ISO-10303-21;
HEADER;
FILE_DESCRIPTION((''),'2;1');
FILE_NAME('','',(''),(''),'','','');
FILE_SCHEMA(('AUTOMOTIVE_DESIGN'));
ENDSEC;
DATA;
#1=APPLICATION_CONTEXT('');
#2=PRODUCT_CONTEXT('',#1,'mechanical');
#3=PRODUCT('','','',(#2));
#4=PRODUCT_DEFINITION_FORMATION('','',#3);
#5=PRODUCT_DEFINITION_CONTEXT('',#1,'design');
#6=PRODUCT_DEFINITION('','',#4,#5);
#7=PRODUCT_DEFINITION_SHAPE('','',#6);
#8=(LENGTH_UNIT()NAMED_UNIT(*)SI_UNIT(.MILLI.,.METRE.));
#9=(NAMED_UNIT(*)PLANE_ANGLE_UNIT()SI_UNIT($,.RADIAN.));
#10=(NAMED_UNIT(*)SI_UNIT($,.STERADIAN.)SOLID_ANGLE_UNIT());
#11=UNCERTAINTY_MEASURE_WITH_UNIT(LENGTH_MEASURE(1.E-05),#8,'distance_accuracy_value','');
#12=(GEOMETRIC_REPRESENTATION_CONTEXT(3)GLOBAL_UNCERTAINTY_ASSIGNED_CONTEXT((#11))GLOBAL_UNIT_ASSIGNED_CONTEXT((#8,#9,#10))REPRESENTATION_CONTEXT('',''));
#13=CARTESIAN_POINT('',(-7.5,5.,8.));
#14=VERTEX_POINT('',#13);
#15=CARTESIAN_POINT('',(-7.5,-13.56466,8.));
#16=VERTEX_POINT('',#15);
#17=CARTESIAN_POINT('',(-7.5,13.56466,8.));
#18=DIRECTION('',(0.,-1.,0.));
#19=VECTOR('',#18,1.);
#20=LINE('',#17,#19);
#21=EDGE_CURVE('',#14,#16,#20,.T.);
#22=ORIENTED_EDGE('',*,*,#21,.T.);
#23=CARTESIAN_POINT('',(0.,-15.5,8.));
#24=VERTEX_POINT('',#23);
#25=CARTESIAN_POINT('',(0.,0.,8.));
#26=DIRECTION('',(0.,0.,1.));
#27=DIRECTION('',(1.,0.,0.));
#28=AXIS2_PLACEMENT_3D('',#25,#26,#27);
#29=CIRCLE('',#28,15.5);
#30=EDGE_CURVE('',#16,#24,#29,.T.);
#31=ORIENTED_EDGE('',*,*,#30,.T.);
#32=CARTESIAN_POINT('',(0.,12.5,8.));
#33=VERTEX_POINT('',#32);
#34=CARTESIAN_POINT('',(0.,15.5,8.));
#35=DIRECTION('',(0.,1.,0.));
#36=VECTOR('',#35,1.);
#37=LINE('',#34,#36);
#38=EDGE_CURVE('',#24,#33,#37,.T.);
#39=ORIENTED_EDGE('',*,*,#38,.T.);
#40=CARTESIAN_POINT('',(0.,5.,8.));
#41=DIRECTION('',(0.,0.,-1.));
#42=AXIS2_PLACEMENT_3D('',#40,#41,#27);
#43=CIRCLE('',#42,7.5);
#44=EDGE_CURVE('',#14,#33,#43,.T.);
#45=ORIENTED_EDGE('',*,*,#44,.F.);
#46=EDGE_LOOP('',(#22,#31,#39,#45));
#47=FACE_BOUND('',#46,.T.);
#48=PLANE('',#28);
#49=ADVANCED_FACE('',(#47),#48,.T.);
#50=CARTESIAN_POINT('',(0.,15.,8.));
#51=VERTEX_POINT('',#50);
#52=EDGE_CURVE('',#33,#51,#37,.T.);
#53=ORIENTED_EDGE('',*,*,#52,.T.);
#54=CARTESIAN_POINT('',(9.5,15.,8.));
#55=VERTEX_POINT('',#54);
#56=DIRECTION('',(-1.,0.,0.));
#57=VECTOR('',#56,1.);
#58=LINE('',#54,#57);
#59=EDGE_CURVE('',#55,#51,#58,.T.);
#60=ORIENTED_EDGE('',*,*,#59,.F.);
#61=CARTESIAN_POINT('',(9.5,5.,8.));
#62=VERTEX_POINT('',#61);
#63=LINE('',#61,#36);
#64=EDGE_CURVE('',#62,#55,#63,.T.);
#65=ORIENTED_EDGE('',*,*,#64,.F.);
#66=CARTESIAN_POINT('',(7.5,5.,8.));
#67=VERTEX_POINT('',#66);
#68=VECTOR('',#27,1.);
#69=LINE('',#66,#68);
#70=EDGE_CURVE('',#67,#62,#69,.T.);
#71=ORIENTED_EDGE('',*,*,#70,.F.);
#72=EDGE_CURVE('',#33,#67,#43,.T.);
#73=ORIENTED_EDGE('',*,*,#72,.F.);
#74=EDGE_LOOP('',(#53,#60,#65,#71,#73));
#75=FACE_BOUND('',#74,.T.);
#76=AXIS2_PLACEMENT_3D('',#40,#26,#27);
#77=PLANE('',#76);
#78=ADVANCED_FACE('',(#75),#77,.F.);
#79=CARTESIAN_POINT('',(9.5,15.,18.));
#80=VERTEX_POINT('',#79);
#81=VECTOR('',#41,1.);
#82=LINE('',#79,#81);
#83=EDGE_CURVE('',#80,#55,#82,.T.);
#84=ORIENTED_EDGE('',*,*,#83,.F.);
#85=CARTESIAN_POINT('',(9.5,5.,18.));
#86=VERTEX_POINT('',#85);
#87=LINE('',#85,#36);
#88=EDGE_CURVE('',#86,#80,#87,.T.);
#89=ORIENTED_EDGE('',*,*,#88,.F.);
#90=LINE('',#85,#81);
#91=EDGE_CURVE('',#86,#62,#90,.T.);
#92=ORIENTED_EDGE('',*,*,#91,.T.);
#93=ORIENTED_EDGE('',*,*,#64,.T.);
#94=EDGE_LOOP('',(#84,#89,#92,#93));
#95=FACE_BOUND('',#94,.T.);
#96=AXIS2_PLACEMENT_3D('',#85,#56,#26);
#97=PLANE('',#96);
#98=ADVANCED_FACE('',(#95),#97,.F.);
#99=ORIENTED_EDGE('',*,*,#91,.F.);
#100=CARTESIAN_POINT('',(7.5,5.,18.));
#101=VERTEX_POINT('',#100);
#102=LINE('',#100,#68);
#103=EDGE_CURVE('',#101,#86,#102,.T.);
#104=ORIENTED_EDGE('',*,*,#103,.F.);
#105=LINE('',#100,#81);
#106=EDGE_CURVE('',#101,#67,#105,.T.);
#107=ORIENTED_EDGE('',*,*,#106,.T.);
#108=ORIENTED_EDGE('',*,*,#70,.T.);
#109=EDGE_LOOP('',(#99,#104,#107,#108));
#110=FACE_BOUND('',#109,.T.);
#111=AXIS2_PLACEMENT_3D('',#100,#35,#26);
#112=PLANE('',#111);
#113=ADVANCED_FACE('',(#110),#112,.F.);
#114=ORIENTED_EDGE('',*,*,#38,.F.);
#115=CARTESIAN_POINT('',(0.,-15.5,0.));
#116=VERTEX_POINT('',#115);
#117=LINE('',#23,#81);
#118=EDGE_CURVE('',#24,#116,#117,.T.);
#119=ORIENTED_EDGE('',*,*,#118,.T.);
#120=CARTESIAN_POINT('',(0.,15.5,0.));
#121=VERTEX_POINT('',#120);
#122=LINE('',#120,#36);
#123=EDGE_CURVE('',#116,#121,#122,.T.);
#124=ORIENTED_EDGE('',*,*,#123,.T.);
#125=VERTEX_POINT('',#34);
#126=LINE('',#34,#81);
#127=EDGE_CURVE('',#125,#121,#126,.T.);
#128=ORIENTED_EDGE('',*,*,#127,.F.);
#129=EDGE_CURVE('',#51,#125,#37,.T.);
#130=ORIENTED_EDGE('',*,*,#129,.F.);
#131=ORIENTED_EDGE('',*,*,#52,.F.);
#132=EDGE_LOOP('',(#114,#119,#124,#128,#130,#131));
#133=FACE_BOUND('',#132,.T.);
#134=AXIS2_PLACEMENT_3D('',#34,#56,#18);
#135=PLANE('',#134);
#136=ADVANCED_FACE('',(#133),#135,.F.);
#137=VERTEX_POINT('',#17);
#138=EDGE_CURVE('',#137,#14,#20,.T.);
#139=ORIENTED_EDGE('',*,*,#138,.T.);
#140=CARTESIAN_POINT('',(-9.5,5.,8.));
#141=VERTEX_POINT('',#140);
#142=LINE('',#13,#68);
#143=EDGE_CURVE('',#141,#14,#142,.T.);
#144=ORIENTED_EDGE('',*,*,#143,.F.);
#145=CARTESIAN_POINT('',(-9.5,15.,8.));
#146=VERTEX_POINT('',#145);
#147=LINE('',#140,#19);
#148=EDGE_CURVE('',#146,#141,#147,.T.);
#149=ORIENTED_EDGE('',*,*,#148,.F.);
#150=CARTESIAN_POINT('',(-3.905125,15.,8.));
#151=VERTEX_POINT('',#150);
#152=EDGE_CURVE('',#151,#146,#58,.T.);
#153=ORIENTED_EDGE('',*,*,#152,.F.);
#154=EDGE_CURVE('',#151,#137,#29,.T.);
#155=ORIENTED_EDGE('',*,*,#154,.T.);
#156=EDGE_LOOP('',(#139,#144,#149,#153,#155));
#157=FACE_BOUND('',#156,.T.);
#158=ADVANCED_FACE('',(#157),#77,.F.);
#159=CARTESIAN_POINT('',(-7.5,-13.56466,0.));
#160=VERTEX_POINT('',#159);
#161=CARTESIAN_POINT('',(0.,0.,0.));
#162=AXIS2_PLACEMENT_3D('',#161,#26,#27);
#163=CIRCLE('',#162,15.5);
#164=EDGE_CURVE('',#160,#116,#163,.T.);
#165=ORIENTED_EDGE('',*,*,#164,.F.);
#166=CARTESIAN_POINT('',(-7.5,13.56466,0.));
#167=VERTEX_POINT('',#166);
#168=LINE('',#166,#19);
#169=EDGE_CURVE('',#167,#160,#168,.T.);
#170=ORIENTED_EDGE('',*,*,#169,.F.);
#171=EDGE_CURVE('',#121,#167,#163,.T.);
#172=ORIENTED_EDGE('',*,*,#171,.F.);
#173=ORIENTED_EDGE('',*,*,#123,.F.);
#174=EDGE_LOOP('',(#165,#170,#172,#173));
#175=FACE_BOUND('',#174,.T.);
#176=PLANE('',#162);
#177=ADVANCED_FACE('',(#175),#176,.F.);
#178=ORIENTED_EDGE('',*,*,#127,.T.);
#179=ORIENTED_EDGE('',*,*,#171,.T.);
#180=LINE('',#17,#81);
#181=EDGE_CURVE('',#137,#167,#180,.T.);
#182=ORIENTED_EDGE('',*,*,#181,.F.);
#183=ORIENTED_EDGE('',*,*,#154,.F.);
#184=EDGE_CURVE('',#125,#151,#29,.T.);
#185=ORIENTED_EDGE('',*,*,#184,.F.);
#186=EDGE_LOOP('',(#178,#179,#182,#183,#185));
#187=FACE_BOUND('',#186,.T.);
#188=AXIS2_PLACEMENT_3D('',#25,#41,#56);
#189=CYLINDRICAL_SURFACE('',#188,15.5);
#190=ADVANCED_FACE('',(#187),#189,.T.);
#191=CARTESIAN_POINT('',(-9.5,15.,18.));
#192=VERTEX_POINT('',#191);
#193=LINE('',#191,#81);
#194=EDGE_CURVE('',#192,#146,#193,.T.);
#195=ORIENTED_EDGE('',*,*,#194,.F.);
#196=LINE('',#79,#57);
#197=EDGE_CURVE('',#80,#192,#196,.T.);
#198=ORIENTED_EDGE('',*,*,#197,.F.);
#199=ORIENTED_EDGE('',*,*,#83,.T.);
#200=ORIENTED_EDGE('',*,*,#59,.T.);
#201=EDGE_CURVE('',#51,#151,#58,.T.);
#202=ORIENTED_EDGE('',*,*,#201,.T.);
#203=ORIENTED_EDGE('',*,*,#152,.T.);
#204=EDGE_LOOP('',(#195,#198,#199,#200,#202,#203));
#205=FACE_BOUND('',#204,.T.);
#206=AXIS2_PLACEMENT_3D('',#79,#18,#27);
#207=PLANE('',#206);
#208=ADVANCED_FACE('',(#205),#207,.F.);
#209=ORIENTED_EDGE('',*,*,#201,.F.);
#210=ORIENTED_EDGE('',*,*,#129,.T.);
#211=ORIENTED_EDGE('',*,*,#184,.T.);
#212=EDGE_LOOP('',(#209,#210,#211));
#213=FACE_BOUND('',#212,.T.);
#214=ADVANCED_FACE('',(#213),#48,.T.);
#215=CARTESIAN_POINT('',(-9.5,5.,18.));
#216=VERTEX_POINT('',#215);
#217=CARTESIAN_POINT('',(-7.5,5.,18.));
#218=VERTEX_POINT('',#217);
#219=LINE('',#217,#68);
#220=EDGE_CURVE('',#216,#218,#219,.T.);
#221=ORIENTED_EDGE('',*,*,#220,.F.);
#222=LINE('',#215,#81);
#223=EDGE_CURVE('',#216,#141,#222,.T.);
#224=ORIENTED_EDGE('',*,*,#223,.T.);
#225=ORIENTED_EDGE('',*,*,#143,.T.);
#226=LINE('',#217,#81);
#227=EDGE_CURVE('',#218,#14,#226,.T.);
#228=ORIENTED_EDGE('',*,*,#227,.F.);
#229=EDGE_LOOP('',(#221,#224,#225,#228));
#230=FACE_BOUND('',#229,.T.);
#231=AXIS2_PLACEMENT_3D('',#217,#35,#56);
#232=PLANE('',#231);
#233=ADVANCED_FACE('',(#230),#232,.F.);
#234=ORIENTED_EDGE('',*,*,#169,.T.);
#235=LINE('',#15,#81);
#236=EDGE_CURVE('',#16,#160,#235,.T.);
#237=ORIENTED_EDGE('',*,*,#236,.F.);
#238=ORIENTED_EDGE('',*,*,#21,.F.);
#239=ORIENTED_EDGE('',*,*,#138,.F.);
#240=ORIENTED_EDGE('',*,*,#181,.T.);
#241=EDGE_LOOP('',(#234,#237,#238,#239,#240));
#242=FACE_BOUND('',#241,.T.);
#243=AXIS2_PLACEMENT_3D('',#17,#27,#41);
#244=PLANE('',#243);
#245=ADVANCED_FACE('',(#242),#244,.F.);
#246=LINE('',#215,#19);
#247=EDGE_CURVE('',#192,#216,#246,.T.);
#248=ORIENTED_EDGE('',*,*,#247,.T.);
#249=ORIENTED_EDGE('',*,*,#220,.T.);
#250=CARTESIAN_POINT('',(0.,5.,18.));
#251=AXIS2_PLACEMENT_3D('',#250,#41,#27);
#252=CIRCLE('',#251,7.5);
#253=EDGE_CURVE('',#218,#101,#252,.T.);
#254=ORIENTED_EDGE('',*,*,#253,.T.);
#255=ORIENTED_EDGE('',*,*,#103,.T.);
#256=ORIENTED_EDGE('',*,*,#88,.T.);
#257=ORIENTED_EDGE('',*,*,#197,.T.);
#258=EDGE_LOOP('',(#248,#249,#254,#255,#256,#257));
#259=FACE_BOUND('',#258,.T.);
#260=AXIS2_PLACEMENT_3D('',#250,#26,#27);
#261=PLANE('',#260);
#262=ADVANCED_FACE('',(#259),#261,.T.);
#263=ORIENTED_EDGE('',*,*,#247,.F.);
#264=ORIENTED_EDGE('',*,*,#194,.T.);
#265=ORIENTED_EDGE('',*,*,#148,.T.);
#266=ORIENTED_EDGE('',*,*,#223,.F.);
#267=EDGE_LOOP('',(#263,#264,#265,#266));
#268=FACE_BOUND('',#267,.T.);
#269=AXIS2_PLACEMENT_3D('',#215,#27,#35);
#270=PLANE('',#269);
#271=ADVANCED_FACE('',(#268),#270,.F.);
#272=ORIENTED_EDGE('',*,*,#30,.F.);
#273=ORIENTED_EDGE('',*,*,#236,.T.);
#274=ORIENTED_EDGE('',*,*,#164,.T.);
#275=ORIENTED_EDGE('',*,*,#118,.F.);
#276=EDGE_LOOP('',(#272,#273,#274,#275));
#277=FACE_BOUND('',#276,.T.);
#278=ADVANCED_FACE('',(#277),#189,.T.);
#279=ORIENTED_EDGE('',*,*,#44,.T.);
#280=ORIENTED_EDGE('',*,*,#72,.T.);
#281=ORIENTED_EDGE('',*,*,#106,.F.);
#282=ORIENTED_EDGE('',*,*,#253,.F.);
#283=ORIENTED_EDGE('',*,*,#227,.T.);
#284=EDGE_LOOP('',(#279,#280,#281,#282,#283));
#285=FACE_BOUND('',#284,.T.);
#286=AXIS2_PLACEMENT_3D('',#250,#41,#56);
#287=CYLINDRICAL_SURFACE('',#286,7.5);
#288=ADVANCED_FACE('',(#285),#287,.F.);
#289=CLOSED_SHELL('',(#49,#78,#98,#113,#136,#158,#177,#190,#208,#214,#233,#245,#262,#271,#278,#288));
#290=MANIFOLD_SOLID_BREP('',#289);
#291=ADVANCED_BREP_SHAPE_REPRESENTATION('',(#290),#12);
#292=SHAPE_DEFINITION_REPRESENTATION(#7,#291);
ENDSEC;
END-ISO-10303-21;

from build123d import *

# Parameters (mm, degrees)
EXTRUDE_1_DEPTH = 8
EXTRUDE_2_DEPTH = 10


with BuildPart() as part:
    # 草图1 → 凸台-拉伸1 (new body)
    with BuildSketch(Plane.XY):
        with BuildLine():
            Line((0, 15.5), (0, -15.5))
            ThreePointArc((0, -15.5), (-3.872839431, -15.008368157), (-7.5, -13.564659966))
            Line((-7.5, -13.564659966), (-7.5, 13.564659966))
            ThreePointArc((-7.5, 13.564659966), (-3.872839431, 15.008368157), (0, 15.5))
        make_face()
    extrude(amount=EXTRUDE_1_DEPTH)

    # 草图2 → 凸台-拉伸2 (add)
    with BuildSketch(Plane.XY.offset(8)):
        with BuildLine():
            Line((7.5, 5), (9.5, 5))
            Line((9.5, 5), (9.5, 15))
            Line((9.5, 15), (-9.5, 15))
            Line((-9.5, 15), (-9.5, 5))
            Line((-9.5, 5), (-7.5, 5))
            ThreePointArc((-7.5, 5), (0, 12.5), (7.5, 5))
        make_face()
    extrude(amount=EXTRUDE_2_DEPTH)


solid = part.part
